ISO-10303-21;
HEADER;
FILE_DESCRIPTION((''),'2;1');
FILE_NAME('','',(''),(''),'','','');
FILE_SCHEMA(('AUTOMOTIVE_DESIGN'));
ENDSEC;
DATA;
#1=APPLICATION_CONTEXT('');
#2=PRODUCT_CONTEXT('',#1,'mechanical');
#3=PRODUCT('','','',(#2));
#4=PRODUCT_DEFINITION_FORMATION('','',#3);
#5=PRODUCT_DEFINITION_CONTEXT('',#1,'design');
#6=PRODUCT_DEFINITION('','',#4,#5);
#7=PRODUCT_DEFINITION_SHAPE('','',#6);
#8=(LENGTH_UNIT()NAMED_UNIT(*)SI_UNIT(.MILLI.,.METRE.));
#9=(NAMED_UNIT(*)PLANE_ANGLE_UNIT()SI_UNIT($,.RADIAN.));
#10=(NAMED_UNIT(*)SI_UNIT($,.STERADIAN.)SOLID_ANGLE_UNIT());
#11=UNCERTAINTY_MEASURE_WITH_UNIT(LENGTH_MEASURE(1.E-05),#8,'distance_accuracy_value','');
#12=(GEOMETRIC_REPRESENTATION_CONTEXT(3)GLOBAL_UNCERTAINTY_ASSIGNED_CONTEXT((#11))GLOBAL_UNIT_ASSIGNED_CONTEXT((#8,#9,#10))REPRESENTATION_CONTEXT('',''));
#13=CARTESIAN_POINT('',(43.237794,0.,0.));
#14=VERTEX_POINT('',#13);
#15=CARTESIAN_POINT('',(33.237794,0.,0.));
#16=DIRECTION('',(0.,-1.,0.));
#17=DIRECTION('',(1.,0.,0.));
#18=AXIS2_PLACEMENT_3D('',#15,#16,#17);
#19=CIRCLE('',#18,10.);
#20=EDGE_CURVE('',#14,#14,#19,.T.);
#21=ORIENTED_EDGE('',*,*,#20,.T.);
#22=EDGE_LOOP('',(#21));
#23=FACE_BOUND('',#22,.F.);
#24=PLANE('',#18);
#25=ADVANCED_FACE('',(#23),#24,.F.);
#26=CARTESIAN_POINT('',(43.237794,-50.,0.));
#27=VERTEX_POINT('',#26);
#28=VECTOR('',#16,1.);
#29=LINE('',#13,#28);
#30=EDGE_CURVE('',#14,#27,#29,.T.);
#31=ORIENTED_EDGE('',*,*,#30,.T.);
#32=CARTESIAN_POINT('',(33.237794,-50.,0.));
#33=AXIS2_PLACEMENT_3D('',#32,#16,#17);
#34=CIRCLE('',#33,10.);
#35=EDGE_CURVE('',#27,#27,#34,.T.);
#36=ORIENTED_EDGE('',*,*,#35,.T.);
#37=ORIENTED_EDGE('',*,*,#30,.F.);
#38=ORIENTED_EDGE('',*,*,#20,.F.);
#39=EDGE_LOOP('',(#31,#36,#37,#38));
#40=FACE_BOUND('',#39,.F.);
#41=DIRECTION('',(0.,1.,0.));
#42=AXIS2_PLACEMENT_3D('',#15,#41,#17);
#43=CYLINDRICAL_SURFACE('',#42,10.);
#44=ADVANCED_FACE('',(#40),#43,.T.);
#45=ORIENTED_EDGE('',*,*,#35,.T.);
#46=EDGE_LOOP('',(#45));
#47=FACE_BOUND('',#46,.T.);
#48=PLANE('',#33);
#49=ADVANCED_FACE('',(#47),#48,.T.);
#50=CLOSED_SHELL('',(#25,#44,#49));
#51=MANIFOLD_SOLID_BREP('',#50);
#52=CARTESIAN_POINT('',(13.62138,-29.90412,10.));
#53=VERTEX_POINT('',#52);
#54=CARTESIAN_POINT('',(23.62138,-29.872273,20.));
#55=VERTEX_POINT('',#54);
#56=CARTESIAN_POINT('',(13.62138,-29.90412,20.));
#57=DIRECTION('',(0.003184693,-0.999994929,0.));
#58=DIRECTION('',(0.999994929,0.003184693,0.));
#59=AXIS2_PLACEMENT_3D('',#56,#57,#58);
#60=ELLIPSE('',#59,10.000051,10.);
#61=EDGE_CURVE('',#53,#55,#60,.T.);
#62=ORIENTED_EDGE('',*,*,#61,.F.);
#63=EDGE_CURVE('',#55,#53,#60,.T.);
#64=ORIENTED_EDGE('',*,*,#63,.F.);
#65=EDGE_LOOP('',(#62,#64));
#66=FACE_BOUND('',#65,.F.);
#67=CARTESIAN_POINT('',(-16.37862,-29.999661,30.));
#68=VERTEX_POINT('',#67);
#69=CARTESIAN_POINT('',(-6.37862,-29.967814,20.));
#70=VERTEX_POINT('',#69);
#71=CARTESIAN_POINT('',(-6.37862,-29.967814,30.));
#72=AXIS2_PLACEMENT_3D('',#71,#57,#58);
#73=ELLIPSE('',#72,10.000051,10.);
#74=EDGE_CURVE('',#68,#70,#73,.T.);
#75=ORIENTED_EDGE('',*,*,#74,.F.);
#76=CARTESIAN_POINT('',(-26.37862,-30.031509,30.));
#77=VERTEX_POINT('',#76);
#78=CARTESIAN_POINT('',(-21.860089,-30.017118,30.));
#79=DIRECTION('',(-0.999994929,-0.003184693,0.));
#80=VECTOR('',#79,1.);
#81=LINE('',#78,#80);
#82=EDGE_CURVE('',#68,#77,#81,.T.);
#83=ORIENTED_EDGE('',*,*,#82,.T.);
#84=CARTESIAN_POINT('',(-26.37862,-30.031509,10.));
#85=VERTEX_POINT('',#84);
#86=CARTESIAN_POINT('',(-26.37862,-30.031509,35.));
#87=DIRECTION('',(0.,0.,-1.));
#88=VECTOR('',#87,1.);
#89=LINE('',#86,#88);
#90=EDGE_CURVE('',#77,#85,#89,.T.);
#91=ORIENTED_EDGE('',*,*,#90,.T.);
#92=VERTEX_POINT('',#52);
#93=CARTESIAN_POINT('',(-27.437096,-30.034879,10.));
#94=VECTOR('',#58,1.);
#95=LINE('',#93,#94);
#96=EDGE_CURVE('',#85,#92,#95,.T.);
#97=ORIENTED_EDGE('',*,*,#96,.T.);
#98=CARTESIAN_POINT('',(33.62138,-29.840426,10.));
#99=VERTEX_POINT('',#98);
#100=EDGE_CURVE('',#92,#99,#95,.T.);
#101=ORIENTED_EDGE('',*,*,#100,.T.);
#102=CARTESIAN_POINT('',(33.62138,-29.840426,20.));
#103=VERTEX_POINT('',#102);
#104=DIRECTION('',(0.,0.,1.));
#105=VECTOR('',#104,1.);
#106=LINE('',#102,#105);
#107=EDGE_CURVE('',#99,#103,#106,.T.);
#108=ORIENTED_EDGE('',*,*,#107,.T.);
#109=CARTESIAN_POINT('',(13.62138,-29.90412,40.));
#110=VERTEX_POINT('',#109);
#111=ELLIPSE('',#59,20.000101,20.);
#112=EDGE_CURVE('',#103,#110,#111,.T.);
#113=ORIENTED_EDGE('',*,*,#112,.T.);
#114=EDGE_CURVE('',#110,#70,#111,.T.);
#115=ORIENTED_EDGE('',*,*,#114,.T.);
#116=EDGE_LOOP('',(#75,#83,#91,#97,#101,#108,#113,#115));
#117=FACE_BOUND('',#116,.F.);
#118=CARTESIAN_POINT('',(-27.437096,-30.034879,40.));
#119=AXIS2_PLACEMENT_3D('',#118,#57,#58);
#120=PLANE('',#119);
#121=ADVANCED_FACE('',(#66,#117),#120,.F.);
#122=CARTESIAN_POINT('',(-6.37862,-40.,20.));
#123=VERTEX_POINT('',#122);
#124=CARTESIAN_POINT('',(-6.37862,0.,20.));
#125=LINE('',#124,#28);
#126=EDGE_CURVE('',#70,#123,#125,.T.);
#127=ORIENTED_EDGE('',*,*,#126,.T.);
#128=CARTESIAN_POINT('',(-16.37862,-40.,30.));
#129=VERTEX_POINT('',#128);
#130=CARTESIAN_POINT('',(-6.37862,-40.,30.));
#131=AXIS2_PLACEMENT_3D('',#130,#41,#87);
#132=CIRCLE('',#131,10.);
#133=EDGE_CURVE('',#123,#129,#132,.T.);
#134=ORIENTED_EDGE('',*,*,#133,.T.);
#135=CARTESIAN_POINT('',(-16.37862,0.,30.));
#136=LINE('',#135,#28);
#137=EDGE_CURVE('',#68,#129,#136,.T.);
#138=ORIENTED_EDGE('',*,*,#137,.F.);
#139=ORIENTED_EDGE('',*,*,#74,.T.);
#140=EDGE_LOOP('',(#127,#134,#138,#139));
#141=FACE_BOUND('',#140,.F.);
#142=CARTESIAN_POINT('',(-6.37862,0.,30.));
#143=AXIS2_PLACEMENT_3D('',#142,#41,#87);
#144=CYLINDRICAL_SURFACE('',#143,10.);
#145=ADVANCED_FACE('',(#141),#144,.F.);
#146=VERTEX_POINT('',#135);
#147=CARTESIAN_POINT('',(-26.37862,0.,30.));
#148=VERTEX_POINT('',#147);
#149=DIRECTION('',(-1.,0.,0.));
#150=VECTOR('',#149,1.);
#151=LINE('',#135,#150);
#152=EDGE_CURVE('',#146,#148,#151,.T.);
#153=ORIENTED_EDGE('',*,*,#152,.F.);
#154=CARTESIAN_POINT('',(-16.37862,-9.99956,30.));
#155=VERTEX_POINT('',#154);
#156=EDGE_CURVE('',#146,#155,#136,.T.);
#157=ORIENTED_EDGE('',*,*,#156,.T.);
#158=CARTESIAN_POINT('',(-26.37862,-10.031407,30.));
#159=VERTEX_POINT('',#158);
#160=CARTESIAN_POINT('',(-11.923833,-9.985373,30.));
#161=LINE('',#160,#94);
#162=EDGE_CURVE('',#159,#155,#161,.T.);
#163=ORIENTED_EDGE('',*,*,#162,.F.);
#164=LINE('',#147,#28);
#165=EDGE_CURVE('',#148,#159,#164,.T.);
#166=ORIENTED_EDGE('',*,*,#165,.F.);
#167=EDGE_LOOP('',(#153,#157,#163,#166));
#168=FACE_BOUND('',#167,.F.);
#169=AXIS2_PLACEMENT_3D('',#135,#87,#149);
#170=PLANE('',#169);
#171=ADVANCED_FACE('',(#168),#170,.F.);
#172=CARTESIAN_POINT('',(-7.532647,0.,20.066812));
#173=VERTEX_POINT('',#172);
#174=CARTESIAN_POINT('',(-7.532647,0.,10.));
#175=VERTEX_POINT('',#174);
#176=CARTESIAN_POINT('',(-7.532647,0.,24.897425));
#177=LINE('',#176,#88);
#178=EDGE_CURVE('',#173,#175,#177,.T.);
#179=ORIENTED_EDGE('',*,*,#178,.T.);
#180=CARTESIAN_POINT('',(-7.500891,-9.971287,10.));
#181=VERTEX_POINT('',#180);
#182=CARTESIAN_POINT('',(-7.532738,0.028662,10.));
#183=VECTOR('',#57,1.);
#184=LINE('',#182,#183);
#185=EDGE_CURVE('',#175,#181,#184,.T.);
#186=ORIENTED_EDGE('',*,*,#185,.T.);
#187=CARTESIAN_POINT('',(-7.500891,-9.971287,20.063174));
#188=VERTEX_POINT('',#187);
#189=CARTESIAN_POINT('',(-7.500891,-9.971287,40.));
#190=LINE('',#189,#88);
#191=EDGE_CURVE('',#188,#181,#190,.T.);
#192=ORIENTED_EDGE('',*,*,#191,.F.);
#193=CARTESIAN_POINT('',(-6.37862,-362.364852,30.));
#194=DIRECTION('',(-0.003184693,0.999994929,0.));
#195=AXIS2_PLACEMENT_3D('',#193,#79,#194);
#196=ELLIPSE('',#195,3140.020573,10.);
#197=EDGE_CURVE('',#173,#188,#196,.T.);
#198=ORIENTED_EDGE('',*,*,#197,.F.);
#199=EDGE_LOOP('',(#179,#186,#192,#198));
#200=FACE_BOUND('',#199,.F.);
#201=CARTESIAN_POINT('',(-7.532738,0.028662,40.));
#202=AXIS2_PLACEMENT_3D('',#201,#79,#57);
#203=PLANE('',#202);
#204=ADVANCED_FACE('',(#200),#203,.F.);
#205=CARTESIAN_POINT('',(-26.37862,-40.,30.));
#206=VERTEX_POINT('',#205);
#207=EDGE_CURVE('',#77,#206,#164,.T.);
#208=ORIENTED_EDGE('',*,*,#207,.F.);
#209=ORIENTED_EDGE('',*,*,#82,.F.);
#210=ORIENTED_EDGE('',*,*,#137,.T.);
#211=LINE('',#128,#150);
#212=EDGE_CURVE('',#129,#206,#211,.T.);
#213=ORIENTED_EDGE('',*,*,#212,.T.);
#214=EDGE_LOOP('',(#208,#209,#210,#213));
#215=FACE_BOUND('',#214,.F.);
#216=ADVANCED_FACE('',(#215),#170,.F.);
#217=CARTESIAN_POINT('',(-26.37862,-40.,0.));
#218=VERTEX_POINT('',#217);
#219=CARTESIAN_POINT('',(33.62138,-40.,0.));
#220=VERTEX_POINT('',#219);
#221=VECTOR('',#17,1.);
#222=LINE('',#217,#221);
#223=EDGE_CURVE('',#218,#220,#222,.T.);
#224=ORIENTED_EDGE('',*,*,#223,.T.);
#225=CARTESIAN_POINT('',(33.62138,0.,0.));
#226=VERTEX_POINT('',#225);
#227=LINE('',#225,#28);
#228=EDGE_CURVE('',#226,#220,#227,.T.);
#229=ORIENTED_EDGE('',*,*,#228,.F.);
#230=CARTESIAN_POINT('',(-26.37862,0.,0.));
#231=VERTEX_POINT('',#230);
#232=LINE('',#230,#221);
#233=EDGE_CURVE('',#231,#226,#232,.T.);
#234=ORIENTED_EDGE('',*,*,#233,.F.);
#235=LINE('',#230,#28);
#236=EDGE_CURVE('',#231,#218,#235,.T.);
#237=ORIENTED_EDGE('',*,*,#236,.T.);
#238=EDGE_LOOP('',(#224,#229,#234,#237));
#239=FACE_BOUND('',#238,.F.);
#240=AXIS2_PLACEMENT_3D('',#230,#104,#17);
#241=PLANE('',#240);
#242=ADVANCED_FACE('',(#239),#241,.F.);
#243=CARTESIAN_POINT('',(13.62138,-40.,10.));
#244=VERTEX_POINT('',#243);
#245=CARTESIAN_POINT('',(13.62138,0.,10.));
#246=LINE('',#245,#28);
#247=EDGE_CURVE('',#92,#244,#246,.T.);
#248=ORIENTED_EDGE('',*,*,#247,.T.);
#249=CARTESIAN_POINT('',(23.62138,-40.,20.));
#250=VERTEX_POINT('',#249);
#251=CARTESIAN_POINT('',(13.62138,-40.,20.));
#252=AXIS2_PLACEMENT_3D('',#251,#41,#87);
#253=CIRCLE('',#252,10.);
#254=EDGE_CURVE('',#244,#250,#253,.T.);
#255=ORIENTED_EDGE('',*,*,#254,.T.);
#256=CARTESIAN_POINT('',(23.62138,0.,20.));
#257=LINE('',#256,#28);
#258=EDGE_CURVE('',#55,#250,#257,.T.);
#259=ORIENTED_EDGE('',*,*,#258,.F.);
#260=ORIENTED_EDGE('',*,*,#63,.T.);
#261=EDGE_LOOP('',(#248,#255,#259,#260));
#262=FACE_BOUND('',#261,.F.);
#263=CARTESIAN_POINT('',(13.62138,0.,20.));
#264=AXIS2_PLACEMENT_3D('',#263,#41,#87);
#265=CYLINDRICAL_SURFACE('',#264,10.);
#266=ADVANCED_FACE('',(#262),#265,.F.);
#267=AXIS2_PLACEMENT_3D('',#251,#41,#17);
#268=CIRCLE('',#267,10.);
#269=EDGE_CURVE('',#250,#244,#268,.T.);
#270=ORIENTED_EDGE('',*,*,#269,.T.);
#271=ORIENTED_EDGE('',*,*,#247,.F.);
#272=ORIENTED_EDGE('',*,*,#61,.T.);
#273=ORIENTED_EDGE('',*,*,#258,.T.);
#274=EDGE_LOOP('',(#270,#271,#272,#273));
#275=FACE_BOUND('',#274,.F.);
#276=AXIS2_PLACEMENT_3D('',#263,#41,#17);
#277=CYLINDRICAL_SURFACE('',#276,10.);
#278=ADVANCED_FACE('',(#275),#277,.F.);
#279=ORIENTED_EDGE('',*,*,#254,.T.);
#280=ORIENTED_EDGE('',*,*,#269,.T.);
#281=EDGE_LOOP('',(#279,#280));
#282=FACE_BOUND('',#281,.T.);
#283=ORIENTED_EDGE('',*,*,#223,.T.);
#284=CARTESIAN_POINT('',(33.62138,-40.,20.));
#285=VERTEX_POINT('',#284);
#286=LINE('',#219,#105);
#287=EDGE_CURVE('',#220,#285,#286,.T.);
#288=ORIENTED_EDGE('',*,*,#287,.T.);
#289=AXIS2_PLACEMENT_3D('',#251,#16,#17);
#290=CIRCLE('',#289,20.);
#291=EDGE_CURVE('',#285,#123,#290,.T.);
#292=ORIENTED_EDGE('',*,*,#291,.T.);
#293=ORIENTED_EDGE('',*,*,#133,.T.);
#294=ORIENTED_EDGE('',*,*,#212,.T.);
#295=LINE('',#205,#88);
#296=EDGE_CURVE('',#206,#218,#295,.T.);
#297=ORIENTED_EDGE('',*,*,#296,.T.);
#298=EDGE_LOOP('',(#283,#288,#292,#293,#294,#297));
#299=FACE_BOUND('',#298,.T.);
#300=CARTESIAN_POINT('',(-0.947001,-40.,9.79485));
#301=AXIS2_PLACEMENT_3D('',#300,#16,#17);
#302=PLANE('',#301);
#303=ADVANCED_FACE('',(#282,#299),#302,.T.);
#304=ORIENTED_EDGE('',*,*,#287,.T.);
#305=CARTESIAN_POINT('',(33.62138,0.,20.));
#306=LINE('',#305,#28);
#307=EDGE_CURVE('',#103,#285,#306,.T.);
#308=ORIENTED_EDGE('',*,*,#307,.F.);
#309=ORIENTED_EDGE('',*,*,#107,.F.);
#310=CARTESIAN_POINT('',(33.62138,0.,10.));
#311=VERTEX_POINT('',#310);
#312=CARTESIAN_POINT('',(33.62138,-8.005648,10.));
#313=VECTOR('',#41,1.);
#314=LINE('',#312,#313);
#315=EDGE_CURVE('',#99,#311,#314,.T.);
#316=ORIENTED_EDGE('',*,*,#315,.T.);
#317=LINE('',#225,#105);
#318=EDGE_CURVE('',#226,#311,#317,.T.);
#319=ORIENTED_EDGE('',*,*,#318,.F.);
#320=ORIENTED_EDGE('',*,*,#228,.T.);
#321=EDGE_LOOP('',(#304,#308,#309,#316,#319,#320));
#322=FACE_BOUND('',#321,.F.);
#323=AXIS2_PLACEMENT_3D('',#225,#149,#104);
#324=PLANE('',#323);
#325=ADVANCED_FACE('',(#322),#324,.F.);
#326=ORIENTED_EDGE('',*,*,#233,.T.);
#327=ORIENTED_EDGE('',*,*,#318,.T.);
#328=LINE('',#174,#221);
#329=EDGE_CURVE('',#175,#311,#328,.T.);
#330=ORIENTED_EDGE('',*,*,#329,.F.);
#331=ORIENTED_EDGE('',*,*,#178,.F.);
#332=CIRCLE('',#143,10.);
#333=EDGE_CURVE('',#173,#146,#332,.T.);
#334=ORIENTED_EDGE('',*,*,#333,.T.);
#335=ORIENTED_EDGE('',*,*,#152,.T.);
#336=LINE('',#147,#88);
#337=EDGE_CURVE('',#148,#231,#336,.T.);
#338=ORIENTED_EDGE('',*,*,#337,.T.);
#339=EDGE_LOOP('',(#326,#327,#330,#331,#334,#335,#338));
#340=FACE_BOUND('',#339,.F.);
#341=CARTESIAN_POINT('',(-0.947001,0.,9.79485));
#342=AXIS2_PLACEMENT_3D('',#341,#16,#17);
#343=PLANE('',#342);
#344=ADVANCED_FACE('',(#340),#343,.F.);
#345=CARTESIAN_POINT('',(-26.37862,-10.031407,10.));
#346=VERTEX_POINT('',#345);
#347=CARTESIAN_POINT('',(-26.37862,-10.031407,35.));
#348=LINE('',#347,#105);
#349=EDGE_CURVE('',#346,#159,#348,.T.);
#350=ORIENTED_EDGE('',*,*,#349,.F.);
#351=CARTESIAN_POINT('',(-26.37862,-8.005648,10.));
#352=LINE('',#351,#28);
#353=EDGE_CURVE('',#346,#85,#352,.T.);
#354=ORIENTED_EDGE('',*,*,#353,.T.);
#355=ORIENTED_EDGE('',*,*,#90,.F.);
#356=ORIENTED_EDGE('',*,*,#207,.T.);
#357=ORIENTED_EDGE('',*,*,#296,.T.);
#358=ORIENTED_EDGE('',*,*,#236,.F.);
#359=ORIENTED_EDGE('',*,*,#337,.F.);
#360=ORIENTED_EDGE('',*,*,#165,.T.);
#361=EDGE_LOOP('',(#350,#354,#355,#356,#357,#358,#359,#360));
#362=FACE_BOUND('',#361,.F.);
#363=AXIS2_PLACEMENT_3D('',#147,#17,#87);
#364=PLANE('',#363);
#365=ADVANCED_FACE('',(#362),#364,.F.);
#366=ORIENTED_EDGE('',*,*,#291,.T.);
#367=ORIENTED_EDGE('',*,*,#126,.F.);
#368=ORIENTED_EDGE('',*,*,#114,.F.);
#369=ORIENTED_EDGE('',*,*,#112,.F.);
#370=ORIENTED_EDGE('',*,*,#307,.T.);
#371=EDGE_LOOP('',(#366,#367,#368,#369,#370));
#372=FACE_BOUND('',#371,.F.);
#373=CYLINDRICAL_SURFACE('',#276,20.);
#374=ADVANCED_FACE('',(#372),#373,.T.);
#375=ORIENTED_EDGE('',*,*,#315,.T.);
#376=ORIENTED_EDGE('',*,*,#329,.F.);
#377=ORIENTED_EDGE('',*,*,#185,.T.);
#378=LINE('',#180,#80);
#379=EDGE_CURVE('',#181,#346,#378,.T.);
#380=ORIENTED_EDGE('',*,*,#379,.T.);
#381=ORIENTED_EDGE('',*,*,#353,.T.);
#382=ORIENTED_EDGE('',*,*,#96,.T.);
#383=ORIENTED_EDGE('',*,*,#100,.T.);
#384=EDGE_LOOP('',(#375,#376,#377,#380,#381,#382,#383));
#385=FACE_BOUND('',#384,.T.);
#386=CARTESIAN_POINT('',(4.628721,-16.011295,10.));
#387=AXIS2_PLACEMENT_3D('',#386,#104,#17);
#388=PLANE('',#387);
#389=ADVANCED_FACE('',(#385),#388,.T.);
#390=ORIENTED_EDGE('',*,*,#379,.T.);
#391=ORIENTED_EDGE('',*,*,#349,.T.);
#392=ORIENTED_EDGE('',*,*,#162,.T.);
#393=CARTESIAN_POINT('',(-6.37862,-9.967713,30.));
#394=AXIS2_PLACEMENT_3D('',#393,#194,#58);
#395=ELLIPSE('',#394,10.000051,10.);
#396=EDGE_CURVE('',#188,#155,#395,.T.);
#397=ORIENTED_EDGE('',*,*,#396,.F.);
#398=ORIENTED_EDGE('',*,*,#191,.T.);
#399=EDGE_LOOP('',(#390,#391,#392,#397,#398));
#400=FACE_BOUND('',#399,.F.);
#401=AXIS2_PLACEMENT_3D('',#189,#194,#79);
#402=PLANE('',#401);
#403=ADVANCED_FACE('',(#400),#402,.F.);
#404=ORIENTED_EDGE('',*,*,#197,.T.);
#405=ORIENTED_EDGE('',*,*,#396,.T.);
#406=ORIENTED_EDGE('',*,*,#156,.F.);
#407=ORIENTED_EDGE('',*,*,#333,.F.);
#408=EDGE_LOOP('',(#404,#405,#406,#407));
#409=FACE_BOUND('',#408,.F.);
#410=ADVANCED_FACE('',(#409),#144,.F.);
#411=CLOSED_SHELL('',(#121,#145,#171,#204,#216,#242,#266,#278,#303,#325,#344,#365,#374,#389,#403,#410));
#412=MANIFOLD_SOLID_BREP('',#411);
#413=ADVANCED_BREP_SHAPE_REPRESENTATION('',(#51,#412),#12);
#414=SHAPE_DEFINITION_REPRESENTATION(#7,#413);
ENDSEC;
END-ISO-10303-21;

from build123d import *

# Parameters (mm, degrees)
F1_DEPTH = 40
F4_DEPTH = 30
F5_R     = 10
F6_DEPTH = 50


with BuildPart() as f1:
    # F0 (on Front) → F1 (new body)
    with BuildSketch(Plane.XZ):
        with BuildLine():
            Line((-26.3786203787, 30), (-26.3786203787, 0))
            Line((-26.3786203787, 0), (33.6213796213, 0))
            Line((33.6213796213, 0), (33.6213796213, 10))
            Line((33.6213796213, 10), (13.6213796213, 10))
            Line((13.6213796213, 10), (-6.3786203787, 10))
            Line((-6.3786203787, 10), (-6.3786203787, 20))
            ThreePointArc((-6.3786203787, 20), (-13.4496881905, 22.9289321881), (-16.3786203787, 30))
            Line((-16.3786203787, 30), (-26.3786203787, 30))
        make_face()
        with BuildLine():
            Line((13.6213796213, 10), (33.6213796213, 10))
            Line((33.6213796213, 10), (33.6213796213, 20))
            ThreePointArc((33.6213796213, 20), (13.6213796213, 40), (-6.3786203787, 20))
            Line((-6.3786203787, 20), (-6.3786203787, 10))
            Line((-6.3786203787, 10), (13.6213796213, 10))
        make_face()
        with BuildLine():
            ThreePointArc((23.6213796213, 20), (20.6924474332, 12.9289321881), (13.6213796213, 10))
            ThreePointArc((13.6213796213, 10), (6.5503118095, 27.0710678119), (23.6213796213, 20))
        make_face(mode=Mode.SUBTRACT)
    extrude(amount=F1_DEPTH)

    # F3 (on offset) → F4 (cut)
    with BuildSketch(Plane.XY.offset(40)):
        Polygon((34.5625896442, -29.8374285476), (34.5625896442, -10.029780087), (34.5625896442, 0.1627235876), (-7.532738143, 0.0286622326), (-7.5008912179, -9.9712870559), (-27.5007897949, -10.0349809062), (-27.4370959447, -30.0348794832), (-16.4371517273, -29.9998478656), align=None)
    extrude(amount=-F4_DEPTH, mode=Mode.SUBTRACT)


with BuildPart() as f6:
    # F5 (on Front) → F6 (new body)
    with BuildSketch(Plane.XZ):
        with Locations((33.2377943532, 0)):
            Circle(F5_R)
    extrude(amount=F6_DEPTH)


solid = Compound([f1.part, f6.part])
